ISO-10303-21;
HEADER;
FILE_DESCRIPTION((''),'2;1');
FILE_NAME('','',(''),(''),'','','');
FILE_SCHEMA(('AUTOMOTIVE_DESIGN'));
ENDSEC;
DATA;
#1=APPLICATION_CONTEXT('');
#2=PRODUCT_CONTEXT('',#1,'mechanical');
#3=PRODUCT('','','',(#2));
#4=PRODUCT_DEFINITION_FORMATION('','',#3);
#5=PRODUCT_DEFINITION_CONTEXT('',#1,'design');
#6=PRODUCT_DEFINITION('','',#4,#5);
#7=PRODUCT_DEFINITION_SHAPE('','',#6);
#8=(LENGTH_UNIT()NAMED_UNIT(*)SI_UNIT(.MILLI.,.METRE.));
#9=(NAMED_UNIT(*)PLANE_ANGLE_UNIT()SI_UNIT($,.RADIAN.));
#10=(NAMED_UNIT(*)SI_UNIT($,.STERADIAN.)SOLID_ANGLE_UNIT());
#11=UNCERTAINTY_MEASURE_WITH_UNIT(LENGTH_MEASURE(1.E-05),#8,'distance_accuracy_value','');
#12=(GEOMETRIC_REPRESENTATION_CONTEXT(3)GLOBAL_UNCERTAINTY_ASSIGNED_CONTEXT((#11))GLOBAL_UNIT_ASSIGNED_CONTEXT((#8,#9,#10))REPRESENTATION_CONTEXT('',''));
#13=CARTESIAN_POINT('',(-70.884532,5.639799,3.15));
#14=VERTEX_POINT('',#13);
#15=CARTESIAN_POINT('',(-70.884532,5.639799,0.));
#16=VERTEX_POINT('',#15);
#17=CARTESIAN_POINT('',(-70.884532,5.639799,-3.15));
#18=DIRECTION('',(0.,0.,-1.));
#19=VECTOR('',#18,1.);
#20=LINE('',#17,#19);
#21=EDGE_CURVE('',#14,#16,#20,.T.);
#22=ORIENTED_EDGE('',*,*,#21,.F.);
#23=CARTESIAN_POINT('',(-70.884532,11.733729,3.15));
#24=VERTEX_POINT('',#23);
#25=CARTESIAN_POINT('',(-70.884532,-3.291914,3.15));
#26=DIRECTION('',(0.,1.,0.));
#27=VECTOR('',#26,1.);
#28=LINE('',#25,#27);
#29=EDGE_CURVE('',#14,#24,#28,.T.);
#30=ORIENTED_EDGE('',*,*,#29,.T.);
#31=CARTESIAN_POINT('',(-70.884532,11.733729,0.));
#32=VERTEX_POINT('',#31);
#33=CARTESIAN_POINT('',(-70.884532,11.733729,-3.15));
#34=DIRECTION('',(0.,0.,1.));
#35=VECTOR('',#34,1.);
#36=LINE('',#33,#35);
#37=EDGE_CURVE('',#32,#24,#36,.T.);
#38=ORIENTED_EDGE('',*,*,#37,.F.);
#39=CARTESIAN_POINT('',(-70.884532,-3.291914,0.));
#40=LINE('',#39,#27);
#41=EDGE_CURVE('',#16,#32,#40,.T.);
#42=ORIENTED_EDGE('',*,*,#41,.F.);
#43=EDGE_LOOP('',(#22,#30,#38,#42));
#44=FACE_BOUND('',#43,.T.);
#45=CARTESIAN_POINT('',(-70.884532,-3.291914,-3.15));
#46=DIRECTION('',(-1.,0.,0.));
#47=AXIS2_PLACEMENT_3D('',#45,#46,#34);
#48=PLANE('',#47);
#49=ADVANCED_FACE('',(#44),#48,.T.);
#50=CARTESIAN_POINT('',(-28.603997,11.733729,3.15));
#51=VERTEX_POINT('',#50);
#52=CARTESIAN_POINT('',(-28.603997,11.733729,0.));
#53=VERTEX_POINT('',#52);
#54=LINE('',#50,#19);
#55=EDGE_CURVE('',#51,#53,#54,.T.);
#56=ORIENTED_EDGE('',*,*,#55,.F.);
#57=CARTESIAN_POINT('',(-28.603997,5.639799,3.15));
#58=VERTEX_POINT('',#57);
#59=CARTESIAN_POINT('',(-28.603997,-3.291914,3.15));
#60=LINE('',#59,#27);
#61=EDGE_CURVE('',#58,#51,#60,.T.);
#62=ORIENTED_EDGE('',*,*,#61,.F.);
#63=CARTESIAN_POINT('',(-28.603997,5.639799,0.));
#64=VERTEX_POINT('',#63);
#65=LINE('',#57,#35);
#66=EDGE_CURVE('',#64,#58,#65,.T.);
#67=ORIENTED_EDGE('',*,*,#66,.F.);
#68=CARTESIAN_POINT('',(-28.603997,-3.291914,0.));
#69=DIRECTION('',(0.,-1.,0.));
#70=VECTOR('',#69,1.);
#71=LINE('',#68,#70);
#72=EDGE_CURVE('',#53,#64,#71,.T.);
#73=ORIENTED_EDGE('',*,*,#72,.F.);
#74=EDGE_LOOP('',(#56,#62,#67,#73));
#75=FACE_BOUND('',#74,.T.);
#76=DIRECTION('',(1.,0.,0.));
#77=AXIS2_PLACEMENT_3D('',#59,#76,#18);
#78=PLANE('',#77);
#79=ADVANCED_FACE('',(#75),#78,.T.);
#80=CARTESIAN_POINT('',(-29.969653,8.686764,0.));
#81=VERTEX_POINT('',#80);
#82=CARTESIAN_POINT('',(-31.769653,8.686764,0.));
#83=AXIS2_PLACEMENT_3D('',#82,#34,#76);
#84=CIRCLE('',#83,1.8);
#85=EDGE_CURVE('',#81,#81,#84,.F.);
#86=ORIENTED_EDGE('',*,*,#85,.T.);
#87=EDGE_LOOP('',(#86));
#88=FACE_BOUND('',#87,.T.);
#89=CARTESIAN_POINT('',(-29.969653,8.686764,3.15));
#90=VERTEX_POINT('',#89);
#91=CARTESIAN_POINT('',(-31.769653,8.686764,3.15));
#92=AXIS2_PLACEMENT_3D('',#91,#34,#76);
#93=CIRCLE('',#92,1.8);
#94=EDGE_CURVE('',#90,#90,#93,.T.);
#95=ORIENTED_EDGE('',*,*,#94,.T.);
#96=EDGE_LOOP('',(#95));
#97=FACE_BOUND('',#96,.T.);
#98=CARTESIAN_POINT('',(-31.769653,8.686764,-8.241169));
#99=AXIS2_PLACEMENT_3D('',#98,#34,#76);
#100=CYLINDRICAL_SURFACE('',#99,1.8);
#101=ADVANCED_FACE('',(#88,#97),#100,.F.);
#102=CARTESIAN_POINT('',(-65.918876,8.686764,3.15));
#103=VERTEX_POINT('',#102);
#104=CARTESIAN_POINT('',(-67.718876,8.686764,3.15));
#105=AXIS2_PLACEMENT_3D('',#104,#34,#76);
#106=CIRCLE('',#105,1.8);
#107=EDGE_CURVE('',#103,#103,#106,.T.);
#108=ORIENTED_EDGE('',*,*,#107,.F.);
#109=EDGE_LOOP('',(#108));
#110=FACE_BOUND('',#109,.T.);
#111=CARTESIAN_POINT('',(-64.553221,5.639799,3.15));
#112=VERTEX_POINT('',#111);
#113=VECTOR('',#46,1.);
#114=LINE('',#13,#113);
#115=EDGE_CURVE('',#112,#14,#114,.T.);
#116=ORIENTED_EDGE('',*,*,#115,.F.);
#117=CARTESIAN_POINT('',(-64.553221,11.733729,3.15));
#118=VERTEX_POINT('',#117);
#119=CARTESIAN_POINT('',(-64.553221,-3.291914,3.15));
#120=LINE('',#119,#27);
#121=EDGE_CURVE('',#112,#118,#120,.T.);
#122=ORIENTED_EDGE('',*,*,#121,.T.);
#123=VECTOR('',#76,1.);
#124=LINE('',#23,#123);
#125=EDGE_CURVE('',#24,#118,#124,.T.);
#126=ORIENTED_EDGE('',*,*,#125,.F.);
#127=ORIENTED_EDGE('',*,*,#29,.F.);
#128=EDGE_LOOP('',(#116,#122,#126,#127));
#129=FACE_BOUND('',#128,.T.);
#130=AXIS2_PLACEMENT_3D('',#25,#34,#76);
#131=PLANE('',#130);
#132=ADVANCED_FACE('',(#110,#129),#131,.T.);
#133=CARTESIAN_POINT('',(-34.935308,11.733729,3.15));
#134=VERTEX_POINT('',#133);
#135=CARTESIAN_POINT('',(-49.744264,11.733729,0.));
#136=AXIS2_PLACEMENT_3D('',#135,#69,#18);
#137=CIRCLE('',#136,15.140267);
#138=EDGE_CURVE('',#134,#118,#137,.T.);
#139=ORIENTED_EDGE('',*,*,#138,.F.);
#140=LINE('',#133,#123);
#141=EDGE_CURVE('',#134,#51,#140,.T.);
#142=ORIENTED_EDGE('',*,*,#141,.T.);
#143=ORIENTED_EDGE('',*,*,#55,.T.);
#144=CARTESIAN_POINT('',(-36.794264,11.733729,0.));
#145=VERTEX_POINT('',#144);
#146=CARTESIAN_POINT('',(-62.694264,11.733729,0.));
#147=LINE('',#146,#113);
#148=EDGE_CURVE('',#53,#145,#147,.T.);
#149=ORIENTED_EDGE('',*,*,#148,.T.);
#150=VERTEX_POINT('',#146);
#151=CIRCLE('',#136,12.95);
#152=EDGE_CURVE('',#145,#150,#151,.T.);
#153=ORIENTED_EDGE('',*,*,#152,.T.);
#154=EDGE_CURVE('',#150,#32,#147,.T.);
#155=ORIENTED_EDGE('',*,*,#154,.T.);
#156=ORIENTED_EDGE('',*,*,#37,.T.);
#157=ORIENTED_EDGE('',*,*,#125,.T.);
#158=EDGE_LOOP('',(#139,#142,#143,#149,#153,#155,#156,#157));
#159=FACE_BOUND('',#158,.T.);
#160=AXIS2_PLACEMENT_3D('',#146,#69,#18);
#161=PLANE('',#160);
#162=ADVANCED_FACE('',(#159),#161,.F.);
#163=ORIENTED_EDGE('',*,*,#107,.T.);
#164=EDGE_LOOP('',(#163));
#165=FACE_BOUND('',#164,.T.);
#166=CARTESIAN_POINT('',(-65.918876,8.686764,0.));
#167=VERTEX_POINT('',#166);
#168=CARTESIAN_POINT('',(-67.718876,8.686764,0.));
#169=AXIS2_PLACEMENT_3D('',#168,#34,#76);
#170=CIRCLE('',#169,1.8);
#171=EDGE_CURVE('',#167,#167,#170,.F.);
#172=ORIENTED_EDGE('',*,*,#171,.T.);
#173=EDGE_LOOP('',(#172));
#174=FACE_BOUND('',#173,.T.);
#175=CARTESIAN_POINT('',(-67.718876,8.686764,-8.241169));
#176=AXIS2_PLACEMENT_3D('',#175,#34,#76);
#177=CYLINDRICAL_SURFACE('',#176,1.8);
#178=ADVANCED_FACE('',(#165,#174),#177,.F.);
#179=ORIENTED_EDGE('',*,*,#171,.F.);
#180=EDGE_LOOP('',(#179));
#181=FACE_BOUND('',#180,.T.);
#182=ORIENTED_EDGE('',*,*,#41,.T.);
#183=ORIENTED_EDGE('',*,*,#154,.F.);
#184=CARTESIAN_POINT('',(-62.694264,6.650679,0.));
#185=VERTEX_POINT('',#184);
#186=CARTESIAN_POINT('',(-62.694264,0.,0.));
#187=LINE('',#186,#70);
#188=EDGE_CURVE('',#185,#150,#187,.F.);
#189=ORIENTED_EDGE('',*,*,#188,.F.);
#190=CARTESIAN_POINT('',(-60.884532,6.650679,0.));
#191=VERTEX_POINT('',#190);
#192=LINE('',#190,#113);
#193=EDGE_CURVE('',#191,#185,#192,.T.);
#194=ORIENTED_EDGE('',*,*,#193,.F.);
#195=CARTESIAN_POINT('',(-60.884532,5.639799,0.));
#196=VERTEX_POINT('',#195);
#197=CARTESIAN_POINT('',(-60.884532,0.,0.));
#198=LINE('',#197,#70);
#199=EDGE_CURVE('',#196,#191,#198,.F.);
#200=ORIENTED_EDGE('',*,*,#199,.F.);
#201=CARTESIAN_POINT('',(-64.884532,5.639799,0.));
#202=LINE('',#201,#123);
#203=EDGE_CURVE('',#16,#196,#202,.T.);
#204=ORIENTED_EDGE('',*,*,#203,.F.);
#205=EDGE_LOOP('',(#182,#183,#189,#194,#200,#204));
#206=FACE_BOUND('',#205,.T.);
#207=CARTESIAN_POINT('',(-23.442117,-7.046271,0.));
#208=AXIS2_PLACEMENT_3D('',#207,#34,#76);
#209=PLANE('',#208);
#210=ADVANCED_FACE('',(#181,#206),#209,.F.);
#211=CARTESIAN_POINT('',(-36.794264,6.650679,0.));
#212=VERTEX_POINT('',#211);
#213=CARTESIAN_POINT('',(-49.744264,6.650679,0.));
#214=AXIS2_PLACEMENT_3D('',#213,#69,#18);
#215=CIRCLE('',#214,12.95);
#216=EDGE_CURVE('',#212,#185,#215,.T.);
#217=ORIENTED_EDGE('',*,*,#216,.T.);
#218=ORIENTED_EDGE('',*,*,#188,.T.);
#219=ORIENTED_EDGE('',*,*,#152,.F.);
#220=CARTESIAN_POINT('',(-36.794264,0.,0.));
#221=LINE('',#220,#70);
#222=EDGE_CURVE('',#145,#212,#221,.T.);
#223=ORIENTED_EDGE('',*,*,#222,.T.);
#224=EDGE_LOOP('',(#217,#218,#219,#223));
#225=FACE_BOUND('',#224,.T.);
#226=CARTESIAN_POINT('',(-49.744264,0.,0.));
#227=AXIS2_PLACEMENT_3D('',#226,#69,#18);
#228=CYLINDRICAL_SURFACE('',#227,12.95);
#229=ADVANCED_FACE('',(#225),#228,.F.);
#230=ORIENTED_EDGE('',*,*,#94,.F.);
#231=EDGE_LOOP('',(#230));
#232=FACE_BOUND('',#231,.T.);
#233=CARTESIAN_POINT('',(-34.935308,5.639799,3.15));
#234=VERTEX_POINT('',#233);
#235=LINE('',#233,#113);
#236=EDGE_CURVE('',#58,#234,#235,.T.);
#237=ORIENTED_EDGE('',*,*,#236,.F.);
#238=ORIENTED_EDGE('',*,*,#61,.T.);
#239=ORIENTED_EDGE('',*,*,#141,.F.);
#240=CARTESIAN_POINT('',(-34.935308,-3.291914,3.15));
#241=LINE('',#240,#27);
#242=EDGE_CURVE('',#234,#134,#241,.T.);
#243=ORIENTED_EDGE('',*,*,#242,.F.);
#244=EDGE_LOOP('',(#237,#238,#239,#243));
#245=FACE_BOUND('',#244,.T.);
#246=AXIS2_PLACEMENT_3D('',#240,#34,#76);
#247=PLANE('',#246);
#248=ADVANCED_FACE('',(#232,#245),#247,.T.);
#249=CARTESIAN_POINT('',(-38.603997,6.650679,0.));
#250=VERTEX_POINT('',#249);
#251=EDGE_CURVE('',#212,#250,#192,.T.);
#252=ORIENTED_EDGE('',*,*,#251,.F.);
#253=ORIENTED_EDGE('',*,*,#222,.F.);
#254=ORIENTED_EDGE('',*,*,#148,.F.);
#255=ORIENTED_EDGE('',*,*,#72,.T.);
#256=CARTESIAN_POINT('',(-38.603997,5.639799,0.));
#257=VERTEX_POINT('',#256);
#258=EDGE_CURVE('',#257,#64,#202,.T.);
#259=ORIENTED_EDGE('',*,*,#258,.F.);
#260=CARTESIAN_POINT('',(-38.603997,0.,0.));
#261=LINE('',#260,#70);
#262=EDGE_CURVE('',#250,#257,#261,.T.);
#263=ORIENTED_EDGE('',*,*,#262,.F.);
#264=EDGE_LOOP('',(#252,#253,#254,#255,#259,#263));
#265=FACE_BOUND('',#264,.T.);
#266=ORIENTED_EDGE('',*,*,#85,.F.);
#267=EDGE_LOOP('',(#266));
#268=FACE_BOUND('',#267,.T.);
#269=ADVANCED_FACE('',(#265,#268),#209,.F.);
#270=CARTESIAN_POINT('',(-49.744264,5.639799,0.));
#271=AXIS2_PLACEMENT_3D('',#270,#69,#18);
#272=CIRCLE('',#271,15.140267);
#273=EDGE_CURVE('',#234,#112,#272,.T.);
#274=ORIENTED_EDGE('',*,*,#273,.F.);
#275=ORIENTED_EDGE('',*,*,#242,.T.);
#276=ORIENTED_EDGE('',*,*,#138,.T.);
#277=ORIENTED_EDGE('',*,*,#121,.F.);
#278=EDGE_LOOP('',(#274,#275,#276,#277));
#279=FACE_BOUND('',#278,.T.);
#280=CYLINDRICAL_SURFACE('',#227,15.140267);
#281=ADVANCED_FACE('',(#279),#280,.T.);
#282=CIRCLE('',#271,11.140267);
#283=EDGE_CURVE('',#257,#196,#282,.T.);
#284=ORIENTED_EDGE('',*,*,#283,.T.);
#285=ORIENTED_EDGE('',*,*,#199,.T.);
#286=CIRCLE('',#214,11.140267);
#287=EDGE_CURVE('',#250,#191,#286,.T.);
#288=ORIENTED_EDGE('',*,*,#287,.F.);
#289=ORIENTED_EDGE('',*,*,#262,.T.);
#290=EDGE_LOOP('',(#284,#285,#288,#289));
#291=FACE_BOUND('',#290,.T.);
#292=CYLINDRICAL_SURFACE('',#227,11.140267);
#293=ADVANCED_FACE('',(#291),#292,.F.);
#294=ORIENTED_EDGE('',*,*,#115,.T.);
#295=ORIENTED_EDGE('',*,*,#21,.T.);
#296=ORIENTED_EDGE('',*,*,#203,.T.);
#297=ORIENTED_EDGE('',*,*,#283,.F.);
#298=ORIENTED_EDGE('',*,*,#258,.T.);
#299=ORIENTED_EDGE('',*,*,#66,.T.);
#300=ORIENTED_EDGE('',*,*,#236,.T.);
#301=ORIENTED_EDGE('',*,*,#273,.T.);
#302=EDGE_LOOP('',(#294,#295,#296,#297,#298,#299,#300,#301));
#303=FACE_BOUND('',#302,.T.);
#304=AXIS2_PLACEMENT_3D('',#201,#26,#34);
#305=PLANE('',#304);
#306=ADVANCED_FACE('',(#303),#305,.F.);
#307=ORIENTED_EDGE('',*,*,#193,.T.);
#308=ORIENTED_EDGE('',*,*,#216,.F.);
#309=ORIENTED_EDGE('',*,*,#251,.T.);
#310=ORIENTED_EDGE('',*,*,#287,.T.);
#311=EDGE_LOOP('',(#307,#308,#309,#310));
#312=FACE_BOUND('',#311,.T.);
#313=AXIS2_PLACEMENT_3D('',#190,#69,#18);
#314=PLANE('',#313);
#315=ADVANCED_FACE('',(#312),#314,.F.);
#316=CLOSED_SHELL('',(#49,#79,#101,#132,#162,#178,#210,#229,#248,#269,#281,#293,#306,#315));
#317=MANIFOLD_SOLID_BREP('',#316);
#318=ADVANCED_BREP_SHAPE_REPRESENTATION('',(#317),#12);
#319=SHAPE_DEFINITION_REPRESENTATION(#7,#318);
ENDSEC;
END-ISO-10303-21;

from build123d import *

# Parameters (mm, degrees)
BOSS_EXTRUDE1_DEPTH     = 5
BOSS_EXTRUDE2_DEPTH     = 3
BOSS_EXTRUDE3_DEPTH     = 3
SKETCH10_W              = 9.5
SKETCH10_H              = 5
BOSS_EXTRUDE4_DEPTH     = 15.78
SKETCH11_W              = 9.5
SKETCH11_H              = 2
BOSS_EXTRUDE5_DEPTH     = 40
BOSS_EXTRUDE6_DEPTH     = 6.09393
SKETCH14_R              = 1.8
CUT_EXTRUDE1_DEPTH      = 6.3
SKETCH15_W              = 51.153217575
SKETCH15_H              = 86.05062267
CUT_EXTRUDE3_DEPTH      = 6
CUT_EXTRUDE3_DEPTH_BACK = 19.78
SKETCH16_W              = 9.603970124
SKETCH16_H              = 11.884913028
CUT_EXTRUDE4_DEPTH      = 17.733728816


with BuildPart() as part:
    # Sketch3 → Revolve1 (revolve)
    with BuildSketch(Plane.XY):
        Polygon((-62.694264441, 10.250679103), (-62.694264441, 11.733728816), (-64.884531744, 11.733728816), (-64.884531744, 5.639799249), (-60.884531744, 5.639799249), (-60.884531744, 6.650679103), (-62.694264441, 6.650679103), align=None)
    revolve(axis=Axis((-49.744264441, 0, 0), (0, 1, 0)))

    # Sketch7 → Boss-Extrude1 (add)
    with BuildSketch(Plane(origin=(0, 11.733728816, 0), x_dir=(1, 0, 0), z_dir=(0, 1, 0))):
        with BuildLine():
            Line((-50.244264441, 15.132008921), (-50.244264441, 12.94034389))
            ThreePointArc((-50.244264441, 12.94034389), (-49.744264441, 12.95), (-49.244264441, 12.94034389))
            Line((-49.244264441, 12.94034389), (-49.244264441, 15.132008921))
            ThreePointArc((-49.244264441, 15.132008921), (-49.744264441, 15.140267302), (-50.244264441, 15.132008921))
        make_face()
    extrude(amount=BOSS_EXTRUDE1_DEPTH)

    # Sketch8 → Boss-Extrude2 (add)
    with BuildSketch(Plane(origin=(0, 16.733728816, 0), x_dir=(1, 0, 0), z_dir=(0, 1, 0))):
        with BuildLine():
            Line((-50.244264441, 15.132008921), (-50.244264441, 12.94034389))
            Line((-50.244264441, 12.94034389), (-50.244264441, -4.55965611))
            Line((-50.244264441, -4.55965611), (-49.244264441, -4.55965611))
            Line((-49.244264441, -4.55965611), (-49.244264441, 12.94034389))
            Line((-49.244264441, 12.94034389), (-49.244264441, 15.132008921))
            ThreePointArc((-49.244264441, 15.132008921), (-49.744264441, 15.140267302), (-50.244264441, 15.132008921))
        make_face()
    extrude(amount=-BOSS_EXTRUDE2_DEPTH)

    # Sketch9 → Boss-Extrude3 (add)
    with BuildSketch(Plane(origin=(0, 11.733728816, 0), x_dir=(1, 0, 0), z_dir=(0, 1, 0))):
        with BuildLine():
            Line((-54.494264441, 14.375854548), (-54.494264441, 39.375854548))
            Line((-54.494264441, 39.375854548), (-44.994264441, 39.375854548))
            Line((-44.994264441, 39.375854548), (-44.994264441, 14.375854548))
            ThreePointArc((-44.994264441, 14.375854548), (-47.092177082, 14.906177465), (-49.244264441, 15.132008921))
            ThreePointArc((-49.244264441, 15.132008921), (-49.744264441, 15.140267302), (-50.244264441, 15.132008921))
            ThreePointArc((-50.244264441, 15.132008921), (-52.3963518, 14.906177465), (-54.494264441, 14.375854548))
        make_face()
    extrude(amount=-BOSS_EXTRUDE3_DEPTH)

    # Sketch10 → Boss-Extrude4 (add)
    with BuildSketch(Plane.XZ.offset(-8.733728816)):
        with Locations((-49.744264441, -36.875854548)):
            Rectangle(SKETCH10_W, SKETCH10_H)
    extrude(amount=BOSS_EXTRUDE4_DEPTH)

    # Sketch11 → Boss-Extrude5 (add)
    with BuildSketch(Plane(origin=(0, 0, -39.375854548), x_dir=(-1, 0, 0), z_dir=(0, 0, -1))):
        with Locations((49.744264441, -6.046271184)):
            Rectangle(SKETCH11_W, SKETCH11_H)
    extrude(amount=BOSS_EXTRUDE5_DEPTH)

    # Sketch13 → Boss-Extrude6 (add)
    with BuildSketch(Plane(origin=(0, 11.733728816, 0), x_dir=(1, 0, 0), z_dir=(0, 1, 0))):
        with BuildLine():
            Line((-28.603997139, 3.15), (-34.935307895, 3.15))
            ThreePointArc((-34.935307895, 3.15), (-34.603997139, 0), (-34.935307895, -3.15))
            Line((-34.935307895, -3.15), (-28.603997139, -3.15))
            Line((-28.603997139, -3.15), (-28.603997139, 3.15))
        make_face()
        with BuildLine():
            Line((-70.884531744, 3.15), (-70.884531744, -3.15))
            Line((-70.884531744, -3.15), (-64.553220987, -3.15))
            ThreePointArc((-64.553220987, -3.15), (-64.884531744, 0), (-64.553220987, 3.15))
            Line((-64.553220987, 3.15), (-70.884531744, 3.15))
        make_face()
    extrude(amount=-BOSS_EXTRUDE6_DEPTH)

    # Sketch14 → Cut-Extrude1 (cut)
    with BuildSketch(Plane.XY.offset(3.15)):
        with Locations((-31.769652517, 8.686764033)):
            Circle(SKETCH14_R)
        with Locations((-67.718876365, 8.686764033)):
            Circle(SKETCH14_R)
    extrude(amount=-CUT_EXTRUDE1_DEPTH, mode=Mode.SUBTRACT)

    # Sketch15 → Cut-Extrude3 (cut, two sides)
    with BuildSketch(Plane(origin=(0, 11.733728816, 0), x_dir=(1, 0, 0), z_dir=(0, 1, 0))) as cut_extrude3_sk:
        with Locations((-49.018725857, 43.025311335)):
            Rectangle(SKETCH15_W, SKETCH15_H)
    extrude(amount=CUT_EXTRUDE3_DEPTH, mode=Mode.SUBTRACT)
    extrude(cut_extrude3_sk.sketch, amount=-CUT_EXTRUDE3_DEPTH_BACK, mode=Mode.SUBTRACT)

    # Sketch16 → Cut-Extrude4 (cut, through all)
    with BuildSketch(Plane(origin=(0, 0, 0), x_dir=(1, 0, 0), z_dir=(0, 1, 0))):
        with Locations((-50.086315959, -0.525030424)):
            Rectangle(SKETCH16_W, SKETCH16_H)
    extrude(amount=CUT_EXTRUDE4_DEPTH, mode=Mode.SUBTRACT)


solid = part.part
